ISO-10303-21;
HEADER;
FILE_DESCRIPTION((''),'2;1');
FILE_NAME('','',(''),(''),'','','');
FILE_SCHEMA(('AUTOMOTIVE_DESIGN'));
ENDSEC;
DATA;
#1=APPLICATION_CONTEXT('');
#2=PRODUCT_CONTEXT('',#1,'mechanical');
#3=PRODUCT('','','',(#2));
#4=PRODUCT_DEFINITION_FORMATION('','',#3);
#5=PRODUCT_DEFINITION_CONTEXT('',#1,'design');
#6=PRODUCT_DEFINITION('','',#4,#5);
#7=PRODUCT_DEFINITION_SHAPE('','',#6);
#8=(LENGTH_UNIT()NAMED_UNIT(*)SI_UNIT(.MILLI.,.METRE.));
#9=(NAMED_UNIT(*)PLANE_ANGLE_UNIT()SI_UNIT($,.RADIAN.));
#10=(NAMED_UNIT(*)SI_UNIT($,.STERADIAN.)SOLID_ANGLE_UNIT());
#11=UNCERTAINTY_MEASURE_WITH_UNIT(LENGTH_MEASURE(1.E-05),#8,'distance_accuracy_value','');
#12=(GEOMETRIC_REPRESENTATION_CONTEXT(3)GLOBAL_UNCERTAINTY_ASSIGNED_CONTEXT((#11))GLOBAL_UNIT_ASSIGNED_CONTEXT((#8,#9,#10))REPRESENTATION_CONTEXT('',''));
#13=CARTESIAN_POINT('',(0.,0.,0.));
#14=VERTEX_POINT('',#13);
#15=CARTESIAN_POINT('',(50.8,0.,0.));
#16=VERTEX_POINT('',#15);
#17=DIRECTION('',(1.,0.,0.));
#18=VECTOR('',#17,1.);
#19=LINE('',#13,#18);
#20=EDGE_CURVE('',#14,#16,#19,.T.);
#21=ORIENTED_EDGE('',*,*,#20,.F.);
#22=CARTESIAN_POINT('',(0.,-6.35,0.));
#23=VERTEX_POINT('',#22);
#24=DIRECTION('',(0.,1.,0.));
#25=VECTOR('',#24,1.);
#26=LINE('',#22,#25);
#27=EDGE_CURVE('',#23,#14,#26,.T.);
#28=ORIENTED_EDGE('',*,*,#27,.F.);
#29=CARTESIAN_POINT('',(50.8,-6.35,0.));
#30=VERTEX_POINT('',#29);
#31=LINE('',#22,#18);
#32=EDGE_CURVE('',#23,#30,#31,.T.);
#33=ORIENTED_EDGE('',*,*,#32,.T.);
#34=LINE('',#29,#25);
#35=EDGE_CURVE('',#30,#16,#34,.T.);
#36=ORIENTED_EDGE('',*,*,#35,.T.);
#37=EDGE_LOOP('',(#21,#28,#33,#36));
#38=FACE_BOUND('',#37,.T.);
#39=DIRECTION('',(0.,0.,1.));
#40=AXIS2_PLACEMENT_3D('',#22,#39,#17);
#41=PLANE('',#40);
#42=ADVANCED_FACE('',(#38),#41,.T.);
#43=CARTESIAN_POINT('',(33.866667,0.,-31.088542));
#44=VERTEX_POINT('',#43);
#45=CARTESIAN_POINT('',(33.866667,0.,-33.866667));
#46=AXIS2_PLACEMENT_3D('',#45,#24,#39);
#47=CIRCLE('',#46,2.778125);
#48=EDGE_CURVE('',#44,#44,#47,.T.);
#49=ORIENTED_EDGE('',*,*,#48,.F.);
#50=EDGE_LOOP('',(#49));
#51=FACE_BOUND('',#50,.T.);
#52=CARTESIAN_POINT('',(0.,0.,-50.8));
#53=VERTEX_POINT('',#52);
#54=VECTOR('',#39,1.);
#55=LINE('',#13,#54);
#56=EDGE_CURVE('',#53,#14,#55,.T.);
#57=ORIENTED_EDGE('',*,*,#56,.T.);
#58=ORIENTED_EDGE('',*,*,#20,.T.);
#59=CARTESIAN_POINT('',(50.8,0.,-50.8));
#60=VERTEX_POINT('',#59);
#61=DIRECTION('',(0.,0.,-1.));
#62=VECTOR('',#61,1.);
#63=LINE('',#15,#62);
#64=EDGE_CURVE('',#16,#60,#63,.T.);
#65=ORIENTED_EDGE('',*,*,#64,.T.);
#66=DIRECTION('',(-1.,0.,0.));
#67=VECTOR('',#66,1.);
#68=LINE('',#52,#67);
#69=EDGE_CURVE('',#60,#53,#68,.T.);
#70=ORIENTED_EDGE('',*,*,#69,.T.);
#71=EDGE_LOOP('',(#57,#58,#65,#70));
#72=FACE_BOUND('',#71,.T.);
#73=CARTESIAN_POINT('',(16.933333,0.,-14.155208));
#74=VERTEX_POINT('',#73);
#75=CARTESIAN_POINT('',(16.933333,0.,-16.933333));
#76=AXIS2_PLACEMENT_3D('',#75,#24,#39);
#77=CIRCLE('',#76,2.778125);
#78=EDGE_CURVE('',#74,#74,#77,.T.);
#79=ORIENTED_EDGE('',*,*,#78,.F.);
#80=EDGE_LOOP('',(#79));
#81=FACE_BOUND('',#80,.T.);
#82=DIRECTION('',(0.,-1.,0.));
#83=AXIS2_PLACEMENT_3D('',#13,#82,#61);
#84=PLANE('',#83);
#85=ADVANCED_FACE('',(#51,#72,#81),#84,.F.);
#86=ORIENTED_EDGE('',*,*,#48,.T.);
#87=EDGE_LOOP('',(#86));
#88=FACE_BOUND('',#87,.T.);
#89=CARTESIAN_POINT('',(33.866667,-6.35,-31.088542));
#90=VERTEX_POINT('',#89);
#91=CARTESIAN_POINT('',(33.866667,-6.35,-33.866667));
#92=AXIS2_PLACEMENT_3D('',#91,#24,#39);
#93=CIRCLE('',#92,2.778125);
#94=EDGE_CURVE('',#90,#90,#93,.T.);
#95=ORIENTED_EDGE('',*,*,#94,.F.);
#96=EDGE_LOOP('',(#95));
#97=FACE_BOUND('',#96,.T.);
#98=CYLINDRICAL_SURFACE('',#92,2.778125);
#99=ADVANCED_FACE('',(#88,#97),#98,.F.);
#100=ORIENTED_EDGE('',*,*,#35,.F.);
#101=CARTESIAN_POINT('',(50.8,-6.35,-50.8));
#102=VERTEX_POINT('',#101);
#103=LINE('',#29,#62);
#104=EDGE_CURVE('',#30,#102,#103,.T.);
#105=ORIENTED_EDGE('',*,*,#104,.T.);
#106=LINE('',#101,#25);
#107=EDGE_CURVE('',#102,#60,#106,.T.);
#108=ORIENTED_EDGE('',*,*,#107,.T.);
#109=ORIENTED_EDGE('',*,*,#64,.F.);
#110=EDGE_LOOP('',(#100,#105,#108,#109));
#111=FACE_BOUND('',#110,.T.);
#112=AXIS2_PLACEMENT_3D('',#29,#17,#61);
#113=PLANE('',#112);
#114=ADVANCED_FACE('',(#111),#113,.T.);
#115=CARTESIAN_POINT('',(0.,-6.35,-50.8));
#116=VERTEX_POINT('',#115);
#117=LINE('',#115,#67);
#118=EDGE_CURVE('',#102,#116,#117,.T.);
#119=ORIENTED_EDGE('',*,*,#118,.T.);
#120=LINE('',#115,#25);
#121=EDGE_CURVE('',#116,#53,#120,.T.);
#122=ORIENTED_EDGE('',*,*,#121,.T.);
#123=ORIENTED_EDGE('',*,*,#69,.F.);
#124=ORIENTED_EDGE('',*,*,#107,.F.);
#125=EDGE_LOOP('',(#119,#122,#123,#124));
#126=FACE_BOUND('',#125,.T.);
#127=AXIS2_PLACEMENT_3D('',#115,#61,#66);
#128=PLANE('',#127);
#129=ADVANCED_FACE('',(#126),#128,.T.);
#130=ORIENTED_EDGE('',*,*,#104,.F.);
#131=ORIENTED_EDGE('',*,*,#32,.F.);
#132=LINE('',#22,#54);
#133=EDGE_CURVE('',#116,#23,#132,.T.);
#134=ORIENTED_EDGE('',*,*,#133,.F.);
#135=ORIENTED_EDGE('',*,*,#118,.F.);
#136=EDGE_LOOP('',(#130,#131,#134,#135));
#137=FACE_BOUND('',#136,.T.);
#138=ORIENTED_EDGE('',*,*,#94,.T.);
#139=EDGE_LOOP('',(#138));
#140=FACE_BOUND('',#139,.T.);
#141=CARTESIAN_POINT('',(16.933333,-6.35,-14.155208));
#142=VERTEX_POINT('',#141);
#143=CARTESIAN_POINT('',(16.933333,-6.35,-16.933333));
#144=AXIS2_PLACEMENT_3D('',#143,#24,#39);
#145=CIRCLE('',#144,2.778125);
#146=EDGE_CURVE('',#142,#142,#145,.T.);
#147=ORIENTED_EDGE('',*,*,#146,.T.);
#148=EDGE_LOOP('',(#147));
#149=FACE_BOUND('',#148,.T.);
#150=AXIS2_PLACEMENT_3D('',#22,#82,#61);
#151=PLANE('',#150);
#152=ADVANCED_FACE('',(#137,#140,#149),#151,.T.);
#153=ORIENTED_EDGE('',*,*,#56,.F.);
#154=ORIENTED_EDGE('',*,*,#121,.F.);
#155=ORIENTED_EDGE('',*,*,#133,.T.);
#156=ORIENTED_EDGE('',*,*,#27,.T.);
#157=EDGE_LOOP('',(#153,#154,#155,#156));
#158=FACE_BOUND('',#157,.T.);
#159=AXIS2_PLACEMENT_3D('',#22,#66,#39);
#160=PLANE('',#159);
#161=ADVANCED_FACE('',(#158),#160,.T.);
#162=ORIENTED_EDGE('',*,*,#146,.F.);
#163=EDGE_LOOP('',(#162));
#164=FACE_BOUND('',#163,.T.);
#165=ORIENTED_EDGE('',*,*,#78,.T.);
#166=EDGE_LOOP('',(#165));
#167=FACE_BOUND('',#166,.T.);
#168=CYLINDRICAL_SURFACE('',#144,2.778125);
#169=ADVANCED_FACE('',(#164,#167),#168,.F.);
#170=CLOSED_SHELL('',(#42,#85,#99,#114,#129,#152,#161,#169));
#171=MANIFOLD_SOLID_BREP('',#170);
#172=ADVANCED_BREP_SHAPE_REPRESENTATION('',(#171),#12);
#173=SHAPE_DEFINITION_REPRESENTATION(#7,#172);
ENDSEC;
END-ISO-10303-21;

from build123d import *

# Parameters (mm, degrees)
SKETCH1_W           = 50.8
SKETCH1_H           = 50.8
SKETCH1_R           = 2.778125
BOSS_EXTRUDE1_DEPTH = 6.35


with BuildPart() as part:
    # Sketch1 → Boss-Extrude1 (new body)
    with BuildSketch(Plane(origin=(0, 0, 0), x_dir=(1, 0, 0), z_dir=(0, 1, 0))):
        with Locations((25.4, 25.4)):
            Rectangle(SKETCH1_W, SKETCH1_H)
        with Locations(Location((33.866666667, 33.866666667, 0), (0, 0, 270))):
            Circle(SKETCH1_R, mode=Mode.SUBTRACT)
        with Locations(Location((16.933333333, 16.933333333, 0), (0, 0, 270))):
            Circle(SKETCH1_R, mode=Mode.SUBTRACT)
    extrude(amount=-BOSS_EXTRUDE1_DEPTH)


solid = part.part
